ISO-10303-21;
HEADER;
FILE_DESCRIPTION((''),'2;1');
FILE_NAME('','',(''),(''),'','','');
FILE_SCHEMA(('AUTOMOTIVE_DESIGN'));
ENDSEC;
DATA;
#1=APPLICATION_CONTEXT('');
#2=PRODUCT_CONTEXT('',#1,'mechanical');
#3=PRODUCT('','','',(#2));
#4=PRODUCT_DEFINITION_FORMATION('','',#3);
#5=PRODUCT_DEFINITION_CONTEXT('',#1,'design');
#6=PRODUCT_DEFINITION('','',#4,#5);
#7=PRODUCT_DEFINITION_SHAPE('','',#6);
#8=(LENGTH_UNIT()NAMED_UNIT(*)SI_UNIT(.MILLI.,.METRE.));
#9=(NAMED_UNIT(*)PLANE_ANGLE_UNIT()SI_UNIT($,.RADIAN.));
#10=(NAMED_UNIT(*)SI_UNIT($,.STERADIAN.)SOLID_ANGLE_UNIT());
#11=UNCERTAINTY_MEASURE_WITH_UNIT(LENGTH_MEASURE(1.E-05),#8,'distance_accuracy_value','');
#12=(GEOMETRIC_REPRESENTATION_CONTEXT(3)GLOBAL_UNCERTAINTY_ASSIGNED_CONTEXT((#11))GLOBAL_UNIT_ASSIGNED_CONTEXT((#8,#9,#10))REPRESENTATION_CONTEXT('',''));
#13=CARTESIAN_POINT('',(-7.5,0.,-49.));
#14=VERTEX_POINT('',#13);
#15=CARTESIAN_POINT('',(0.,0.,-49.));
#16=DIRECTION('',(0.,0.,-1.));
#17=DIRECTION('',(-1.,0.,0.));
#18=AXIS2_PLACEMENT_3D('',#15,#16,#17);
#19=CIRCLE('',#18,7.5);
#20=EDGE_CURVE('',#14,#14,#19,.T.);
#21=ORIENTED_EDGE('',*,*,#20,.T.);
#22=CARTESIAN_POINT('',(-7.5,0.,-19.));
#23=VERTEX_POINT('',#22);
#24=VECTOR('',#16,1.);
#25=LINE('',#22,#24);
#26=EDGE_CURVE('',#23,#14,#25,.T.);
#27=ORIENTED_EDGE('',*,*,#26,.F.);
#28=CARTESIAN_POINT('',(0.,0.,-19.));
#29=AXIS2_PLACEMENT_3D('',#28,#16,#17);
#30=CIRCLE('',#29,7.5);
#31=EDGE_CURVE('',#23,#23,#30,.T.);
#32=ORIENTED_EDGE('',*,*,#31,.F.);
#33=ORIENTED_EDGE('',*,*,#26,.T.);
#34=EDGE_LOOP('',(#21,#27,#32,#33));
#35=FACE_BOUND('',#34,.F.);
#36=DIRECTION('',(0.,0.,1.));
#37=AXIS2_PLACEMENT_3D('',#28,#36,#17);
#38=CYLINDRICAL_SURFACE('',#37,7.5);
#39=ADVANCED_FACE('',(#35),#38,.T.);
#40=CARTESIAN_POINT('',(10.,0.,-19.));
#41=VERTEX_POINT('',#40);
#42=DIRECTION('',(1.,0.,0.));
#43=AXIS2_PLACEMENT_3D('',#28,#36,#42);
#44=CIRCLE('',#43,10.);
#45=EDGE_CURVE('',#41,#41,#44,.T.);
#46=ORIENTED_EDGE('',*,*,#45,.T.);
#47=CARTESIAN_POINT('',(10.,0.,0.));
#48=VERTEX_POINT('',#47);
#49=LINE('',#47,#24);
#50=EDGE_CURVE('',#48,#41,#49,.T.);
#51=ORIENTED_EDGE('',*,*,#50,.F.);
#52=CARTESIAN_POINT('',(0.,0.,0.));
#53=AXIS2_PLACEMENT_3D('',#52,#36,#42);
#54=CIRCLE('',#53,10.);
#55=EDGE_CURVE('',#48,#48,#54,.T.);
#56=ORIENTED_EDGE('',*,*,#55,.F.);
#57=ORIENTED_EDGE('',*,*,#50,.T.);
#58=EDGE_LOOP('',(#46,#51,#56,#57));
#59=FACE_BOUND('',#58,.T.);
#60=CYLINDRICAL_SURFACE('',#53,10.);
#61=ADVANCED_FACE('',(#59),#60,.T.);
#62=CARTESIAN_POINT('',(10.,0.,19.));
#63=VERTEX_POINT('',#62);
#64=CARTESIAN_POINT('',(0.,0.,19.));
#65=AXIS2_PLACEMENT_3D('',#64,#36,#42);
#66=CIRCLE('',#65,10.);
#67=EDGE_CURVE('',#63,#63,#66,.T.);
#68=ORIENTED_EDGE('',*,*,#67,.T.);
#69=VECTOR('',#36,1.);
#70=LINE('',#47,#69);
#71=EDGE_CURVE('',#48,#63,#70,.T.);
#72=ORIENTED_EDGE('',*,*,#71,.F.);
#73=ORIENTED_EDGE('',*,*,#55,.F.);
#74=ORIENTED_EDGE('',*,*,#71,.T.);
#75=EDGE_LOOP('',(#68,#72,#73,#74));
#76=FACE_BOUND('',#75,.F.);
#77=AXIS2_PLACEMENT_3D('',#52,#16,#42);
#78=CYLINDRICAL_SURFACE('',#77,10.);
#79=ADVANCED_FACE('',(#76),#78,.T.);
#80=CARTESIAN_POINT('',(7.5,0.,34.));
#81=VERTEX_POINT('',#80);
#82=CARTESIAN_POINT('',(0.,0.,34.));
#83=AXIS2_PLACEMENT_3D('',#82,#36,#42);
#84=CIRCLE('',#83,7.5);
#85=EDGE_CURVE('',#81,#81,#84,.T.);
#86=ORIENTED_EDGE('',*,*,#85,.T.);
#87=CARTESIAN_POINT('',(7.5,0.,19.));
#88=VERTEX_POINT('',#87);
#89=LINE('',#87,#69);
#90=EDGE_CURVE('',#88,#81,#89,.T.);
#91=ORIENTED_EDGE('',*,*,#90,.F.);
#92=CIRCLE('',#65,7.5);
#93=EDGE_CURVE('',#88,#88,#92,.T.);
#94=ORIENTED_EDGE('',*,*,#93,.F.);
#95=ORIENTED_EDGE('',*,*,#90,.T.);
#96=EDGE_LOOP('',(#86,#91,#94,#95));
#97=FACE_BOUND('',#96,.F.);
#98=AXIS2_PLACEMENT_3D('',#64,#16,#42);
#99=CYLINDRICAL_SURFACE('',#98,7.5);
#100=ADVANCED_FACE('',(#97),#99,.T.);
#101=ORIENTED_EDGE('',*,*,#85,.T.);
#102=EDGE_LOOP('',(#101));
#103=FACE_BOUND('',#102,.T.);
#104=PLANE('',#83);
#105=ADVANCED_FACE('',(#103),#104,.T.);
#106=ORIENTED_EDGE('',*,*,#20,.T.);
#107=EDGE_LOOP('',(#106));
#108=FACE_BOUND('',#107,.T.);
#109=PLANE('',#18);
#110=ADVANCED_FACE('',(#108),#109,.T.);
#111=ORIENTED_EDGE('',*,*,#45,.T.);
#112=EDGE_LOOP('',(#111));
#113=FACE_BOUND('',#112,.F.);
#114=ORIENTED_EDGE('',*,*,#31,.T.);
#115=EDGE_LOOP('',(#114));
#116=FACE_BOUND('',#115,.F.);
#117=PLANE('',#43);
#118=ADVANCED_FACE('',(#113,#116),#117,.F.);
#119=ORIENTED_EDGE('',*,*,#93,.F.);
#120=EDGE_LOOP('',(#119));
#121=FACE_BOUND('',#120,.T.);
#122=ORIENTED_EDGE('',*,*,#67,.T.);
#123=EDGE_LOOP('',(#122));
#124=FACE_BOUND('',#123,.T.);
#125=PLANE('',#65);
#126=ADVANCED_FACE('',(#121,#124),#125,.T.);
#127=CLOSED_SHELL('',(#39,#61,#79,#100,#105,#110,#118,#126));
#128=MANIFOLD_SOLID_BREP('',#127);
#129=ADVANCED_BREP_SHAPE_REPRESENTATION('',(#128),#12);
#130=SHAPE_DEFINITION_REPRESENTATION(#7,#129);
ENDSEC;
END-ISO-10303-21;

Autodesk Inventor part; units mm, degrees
ref_plane "YZ Plane" through (0, 0, 0) normal (1, 0, 0) x (0, 1, 0)
ref_plane "XZ Plane" through (0, 0, 0) normal (0, 1, 0) x (-1, 0, 0)
ref_plane "XY Plane" through (0, 0, 0) normal (0, 0, 1) x (1, 0, 0)
sketch "Sketch1" plane through (0, 0, 0) normal (0, 0, 1) x (1, 0, 0)
  circle A0 centre (0, 0) radius 10
  dimension "d0" = 20
extrude "Extrusion1" add sketch "Sketch1" along normal mid plane 38
sketch "Sketch2" plane through (0, 0, 19) normal (0, 0, 1) x (1, 0, 0)
  circle A0 centre (0, 0) radius 7.5
  dimension "d3" = 15
extrude "Extrusion2" add sketch "Sketch2" along normal blind 15
sketch "Sketch3" plane through (0, 0, -19) normal (0, 0, -1) x (-1, 0, 0)
  circle A0 centre (0, 0) radius 7.5
  dimension "d7" = 15
extrude "Extrusion3" add sketch "Sketch3" along normal blind 30
equation "\"d7\" = d3"
properties part number "Foreas_1"
